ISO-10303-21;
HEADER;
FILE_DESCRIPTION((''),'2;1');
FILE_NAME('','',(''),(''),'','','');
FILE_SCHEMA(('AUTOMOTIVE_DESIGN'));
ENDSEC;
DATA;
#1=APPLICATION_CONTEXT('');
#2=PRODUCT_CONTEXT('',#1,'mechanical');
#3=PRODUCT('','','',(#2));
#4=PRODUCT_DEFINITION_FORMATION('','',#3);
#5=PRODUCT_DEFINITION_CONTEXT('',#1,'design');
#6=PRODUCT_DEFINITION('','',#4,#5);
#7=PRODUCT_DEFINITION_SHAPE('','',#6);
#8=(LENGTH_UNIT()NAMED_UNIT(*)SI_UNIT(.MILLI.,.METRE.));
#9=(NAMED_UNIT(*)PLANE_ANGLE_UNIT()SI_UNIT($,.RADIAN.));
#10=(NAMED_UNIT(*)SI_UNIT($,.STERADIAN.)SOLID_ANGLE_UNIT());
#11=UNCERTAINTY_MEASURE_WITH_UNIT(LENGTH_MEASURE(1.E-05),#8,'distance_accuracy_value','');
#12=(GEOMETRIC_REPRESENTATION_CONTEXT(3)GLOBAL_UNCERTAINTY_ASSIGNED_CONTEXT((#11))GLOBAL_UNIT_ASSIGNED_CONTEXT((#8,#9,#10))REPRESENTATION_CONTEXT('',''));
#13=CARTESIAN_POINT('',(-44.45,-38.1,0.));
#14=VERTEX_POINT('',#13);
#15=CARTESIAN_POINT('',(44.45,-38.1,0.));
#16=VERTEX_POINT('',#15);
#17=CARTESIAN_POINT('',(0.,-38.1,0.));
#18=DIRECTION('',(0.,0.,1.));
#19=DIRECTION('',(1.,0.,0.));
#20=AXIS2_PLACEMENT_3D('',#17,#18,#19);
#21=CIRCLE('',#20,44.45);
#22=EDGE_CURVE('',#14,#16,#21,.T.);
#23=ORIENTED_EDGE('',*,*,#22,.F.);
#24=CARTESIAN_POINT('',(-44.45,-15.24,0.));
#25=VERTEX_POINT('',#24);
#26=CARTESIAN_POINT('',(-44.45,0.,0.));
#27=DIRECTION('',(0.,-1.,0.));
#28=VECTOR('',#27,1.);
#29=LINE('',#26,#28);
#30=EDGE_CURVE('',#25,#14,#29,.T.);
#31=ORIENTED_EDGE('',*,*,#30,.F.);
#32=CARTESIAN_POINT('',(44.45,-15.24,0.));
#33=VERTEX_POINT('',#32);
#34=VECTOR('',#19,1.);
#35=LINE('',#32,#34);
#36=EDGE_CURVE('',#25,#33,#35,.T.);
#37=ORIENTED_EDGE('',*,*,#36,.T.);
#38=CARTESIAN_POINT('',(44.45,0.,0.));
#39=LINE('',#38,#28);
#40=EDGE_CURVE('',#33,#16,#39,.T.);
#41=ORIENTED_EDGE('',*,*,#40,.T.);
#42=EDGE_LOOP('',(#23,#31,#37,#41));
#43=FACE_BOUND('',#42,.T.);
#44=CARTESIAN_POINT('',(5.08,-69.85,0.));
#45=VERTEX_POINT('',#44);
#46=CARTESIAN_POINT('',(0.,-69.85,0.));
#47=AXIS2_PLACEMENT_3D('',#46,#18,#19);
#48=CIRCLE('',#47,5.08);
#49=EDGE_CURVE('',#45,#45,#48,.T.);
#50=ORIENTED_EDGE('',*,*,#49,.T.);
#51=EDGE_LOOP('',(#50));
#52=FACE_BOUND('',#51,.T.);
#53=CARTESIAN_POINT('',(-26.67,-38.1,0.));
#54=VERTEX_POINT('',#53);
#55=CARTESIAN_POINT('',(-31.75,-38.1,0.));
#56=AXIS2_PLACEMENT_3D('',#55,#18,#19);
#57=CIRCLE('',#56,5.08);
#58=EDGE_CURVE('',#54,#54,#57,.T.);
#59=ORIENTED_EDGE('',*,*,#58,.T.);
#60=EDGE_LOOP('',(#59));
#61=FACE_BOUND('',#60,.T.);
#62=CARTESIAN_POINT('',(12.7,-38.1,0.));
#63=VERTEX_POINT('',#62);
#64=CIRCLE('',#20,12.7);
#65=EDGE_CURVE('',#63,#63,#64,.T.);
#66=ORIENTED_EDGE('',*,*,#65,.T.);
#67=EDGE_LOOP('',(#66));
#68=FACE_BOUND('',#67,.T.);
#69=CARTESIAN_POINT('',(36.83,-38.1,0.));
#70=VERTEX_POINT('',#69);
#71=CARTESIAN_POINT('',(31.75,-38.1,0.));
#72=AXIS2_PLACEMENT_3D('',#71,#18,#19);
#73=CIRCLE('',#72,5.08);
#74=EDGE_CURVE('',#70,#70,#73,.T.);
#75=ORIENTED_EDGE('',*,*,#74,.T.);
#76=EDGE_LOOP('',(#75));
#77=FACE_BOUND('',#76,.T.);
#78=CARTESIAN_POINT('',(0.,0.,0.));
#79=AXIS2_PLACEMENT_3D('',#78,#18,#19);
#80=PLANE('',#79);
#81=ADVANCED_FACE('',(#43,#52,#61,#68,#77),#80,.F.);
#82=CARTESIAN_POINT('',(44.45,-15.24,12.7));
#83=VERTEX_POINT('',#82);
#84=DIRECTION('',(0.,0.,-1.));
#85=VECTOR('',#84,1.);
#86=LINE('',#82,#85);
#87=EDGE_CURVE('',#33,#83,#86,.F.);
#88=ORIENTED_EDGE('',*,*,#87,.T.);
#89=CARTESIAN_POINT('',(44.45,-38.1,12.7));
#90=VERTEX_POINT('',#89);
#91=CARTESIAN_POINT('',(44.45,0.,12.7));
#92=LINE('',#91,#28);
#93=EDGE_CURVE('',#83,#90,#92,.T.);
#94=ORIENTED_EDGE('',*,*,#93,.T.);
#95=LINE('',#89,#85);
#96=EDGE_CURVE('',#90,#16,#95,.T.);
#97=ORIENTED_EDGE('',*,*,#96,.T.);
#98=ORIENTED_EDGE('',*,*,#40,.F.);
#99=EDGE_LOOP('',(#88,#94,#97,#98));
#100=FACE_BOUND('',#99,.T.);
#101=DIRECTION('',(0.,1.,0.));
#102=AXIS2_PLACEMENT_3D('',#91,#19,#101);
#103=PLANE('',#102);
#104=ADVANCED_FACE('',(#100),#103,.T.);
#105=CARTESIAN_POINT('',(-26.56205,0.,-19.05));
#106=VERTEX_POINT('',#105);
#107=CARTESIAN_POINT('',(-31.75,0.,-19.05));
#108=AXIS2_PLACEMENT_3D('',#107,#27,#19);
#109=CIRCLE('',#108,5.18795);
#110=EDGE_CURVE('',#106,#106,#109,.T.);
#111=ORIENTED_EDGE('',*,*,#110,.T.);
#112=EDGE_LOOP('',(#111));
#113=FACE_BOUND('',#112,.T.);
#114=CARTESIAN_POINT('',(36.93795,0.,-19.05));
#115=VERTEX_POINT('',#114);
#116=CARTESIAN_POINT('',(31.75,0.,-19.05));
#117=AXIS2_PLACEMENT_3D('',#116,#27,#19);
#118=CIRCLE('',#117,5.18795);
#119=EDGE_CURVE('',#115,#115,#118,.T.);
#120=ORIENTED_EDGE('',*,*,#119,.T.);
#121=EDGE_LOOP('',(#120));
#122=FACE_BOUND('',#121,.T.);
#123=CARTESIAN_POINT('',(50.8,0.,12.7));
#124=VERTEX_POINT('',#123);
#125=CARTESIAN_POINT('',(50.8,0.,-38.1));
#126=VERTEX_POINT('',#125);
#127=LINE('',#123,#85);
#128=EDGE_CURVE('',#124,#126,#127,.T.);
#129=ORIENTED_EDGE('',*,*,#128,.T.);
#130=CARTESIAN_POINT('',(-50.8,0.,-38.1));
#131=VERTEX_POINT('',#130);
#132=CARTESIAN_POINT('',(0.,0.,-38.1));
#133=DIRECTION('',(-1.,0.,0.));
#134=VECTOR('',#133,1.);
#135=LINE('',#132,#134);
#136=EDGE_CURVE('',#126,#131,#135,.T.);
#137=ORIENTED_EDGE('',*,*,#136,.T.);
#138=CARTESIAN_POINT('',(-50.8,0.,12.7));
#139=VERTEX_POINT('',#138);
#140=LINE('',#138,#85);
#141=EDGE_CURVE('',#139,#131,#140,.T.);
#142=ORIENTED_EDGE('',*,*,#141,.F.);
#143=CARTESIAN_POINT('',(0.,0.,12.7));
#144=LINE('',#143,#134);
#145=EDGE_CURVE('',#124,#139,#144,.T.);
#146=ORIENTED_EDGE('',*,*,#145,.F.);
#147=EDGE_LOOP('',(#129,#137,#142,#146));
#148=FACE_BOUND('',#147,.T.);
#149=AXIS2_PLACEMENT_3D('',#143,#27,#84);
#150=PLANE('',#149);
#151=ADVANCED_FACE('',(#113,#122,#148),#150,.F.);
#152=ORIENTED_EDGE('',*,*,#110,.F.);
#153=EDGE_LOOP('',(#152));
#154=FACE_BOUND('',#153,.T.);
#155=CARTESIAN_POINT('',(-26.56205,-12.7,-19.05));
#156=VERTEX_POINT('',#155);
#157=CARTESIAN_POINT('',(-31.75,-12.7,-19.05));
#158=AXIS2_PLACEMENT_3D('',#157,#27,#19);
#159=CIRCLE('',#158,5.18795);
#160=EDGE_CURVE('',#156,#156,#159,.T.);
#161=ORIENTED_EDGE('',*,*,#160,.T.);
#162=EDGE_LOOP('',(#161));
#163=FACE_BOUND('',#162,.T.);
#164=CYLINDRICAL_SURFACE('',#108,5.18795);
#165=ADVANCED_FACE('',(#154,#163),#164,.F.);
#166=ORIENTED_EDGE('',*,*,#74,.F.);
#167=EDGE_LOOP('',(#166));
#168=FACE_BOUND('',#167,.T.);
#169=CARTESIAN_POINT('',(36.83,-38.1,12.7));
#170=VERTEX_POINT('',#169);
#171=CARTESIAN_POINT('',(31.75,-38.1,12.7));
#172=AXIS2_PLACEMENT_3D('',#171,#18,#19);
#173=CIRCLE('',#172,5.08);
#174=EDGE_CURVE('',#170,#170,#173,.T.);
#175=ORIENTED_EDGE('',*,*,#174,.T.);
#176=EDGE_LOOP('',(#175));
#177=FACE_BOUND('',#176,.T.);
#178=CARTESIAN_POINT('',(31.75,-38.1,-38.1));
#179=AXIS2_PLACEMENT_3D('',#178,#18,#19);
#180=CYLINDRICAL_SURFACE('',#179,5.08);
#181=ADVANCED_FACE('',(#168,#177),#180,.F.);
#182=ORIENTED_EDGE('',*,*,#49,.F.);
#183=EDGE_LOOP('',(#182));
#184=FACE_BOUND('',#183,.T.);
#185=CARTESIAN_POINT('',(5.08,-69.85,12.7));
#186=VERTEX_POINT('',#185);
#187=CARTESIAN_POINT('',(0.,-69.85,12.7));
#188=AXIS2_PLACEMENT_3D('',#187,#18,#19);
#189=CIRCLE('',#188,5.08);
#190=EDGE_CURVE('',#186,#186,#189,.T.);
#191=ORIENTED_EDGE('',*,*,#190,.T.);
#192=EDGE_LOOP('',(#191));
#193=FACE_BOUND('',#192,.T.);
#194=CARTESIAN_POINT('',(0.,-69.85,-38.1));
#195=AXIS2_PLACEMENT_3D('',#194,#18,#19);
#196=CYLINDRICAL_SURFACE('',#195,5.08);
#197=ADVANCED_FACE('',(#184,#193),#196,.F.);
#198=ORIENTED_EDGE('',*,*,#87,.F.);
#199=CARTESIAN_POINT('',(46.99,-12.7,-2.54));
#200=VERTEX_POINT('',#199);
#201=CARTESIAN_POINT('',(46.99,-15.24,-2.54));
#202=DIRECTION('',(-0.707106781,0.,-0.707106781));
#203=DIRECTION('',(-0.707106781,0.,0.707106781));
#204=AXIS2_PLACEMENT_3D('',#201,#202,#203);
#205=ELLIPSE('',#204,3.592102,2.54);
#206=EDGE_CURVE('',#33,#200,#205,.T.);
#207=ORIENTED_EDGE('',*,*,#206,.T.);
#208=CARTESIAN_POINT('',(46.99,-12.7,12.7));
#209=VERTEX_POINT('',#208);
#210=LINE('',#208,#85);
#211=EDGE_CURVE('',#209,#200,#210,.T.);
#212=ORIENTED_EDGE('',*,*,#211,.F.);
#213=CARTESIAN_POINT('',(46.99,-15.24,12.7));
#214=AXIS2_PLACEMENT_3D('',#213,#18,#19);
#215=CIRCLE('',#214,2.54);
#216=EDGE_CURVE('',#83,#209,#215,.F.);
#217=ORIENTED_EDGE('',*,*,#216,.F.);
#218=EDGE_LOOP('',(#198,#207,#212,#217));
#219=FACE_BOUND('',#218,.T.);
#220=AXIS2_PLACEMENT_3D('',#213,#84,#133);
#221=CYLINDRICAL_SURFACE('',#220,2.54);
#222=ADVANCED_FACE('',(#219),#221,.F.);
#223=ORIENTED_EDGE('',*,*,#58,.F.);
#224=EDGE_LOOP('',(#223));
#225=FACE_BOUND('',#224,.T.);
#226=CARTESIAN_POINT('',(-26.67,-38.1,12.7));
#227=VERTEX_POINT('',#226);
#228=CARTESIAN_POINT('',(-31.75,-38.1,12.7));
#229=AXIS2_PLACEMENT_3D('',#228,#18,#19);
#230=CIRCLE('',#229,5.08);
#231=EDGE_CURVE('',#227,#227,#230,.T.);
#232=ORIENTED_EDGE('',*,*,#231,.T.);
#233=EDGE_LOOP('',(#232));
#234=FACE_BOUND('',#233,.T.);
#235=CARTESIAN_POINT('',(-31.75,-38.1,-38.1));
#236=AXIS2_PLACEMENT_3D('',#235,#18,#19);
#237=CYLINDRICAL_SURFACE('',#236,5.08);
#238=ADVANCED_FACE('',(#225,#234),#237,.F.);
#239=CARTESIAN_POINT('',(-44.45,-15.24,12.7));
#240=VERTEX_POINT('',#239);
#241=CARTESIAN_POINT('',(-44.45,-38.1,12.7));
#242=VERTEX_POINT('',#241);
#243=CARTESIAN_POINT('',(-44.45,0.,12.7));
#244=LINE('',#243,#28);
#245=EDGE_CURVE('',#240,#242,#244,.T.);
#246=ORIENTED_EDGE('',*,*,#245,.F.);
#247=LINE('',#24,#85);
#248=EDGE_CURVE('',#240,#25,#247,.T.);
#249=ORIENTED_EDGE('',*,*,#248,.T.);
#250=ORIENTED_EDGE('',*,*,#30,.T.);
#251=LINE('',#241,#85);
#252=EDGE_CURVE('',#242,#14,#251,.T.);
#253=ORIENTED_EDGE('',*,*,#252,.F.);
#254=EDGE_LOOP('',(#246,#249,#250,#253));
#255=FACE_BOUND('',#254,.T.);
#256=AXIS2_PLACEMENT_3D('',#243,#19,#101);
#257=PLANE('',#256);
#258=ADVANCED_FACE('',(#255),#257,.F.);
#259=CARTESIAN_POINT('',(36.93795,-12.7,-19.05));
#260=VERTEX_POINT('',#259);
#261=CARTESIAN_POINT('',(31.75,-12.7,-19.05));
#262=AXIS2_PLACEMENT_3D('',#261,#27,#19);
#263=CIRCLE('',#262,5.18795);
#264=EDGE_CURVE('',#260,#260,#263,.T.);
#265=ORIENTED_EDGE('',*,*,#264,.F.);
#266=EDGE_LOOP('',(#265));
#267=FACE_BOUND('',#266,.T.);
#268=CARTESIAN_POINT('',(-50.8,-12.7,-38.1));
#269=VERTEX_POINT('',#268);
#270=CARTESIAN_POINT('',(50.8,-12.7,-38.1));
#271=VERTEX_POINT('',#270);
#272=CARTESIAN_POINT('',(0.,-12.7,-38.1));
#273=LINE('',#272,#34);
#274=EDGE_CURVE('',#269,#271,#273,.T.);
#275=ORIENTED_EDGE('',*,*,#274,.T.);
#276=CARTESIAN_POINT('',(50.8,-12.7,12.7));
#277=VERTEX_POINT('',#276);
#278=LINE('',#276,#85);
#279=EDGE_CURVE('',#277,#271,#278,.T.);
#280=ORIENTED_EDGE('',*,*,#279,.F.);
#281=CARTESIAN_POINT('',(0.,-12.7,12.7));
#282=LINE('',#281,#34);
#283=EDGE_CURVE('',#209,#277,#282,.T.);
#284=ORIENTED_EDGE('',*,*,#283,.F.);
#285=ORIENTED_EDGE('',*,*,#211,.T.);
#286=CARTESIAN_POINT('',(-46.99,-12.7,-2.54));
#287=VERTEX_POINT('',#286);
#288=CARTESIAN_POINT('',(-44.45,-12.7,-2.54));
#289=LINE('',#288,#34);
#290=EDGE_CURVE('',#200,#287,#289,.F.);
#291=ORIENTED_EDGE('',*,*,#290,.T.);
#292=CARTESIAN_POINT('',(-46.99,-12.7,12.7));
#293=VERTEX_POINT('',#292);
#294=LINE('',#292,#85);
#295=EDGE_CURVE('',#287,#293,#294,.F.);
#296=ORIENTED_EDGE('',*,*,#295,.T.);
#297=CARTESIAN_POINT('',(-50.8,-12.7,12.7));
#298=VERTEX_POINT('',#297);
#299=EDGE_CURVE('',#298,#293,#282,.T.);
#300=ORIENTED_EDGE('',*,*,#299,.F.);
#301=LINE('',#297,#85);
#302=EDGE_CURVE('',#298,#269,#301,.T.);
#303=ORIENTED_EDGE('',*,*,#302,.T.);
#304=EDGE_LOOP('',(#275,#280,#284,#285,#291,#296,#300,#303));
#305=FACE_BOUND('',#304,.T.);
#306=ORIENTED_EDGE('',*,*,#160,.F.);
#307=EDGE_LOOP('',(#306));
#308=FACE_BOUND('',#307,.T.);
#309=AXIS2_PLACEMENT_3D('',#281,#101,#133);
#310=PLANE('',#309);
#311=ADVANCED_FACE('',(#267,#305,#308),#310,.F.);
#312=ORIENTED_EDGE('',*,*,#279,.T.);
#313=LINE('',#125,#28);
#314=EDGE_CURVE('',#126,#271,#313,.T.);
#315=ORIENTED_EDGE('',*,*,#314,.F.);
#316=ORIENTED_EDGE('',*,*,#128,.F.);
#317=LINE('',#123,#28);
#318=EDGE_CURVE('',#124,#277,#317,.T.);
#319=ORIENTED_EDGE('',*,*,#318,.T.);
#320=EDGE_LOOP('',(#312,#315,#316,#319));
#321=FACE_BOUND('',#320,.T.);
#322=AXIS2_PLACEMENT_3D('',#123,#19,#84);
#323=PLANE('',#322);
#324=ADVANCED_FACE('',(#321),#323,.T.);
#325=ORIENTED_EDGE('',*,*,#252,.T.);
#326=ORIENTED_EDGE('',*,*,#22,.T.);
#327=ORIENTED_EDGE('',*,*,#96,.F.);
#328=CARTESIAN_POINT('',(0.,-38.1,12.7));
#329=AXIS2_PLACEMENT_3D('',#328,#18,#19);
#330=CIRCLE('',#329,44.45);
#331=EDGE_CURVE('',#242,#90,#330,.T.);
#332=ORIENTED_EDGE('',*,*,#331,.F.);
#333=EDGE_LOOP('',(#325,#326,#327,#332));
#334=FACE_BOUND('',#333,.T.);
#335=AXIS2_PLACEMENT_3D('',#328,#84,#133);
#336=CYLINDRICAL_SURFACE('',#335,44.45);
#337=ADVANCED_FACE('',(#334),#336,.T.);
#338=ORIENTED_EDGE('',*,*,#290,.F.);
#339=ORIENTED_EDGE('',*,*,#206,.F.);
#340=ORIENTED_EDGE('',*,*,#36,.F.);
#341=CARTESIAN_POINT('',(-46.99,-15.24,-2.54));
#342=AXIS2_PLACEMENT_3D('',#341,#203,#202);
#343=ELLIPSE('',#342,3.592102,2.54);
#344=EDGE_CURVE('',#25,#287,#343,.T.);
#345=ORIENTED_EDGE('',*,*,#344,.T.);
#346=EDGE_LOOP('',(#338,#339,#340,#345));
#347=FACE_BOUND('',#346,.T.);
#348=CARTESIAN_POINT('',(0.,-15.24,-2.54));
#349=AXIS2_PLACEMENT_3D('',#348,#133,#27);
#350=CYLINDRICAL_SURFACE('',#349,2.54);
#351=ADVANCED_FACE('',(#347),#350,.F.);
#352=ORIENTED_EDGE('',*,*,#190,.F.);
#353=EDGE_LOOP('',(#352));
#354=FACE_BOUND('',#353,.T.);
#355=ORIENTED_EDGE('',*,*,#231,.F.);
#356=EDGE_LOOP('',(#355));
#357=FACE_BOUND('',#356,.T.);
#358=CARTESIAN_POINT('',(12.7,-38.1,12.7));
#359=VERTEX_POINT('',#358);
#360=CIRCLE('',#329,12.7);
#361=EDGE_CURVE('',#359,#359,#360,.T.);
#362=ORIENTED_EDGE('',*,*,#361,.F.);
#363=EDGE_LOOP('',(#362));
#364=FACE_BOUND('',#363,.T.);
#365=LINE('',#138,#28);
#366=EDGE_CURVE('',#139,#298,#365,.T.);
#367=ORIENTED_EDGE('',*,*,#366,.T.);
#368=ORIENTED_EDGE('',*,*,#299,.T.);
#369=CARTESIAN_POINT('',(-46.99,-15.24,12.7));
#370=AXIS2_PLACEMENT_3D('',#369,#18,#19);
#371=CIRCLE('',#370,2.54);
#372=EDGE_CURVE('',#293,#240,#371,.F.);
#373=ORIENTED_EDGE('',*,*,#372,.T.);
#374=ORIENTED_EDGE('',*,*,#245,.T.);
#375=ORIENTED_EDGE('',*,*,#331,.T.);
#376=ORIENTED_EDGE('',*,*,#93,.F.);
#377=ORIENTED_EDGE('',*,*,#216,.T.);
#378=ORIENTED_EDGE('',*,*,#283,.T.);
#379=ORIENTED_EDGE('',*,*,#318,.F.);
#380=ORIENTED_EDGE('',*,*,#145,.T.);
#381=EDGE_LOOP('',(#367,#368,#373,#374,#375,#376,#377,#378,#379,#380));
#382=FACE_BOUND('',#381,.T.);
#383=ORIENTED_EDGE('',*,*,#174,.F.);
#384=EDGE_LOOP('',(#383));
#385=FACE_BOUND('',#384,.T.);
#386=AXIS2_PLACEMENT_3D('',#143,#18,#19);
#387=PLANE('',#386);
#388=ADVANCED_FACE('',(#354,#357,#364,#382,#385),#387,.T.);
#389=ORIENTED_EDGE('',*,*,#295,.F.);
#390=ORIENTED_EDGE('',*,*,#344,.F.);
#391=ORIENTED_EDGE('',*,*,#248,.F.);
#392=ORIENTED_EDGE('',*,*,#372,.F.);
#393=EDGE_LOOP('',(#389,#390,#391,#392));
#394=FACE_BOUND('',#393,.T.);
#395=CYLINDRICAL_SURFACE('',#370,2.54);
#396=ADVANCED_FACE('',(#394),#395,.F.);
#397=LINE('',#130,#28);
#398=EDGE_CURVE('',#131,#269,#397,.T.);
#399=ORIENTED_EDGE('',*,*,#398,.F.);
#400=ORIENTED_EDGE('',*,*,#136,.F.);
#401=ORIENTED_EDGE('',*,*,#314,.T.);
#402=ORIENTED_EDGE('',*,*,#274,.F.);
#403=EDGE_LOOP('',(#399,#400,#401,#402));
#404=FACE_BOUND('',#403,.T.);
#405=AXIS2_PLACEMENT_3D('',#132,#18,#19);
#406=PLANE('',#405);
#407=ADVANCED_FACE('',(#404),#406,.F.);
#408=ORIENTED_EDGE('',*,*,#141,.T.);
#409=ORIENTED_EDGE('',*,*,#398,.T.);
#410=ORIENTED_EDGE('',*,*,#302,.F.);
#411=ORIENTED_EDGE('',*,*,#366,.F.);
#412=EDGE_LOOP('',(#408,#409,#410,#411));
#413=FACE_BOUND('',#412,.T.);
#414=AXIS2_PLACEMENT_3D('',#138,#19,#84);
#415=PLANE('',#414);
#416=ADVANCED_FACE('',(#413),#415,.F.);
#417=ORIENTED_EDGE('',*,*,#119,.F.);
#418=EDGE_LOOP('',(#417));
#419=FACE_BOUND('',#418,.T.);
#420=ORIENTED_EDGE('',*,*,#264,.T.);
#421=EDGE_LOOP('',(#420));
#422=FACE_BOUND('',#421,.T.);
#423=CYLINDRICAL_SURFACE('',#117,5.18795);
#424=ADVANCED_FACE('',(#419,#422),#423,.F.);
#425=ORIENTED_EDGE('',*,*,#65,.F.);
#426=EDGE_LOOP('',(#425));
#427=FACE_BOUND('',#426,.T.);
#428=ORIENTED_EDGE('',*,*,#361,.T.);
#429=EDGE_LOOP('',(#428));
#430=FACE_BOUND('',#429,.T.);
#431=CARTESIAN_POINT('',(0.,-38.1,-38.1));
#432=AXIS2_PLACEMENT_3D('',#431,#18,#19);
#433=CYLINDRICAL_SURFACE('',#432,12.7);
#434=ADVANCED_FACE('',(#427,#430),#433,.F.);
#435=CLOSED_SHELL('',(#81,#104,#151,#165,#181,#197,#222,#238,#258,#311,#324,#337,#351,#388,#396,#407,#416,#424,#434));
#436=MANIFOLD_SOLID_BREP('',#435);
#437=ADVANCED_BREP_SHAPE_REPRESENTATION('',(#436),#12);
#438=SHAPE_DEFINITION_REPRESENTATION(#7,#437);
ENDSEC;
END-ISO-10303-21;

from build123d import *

# Parameters (mm, degrees)
BOSS_EXTRUDE1_DEPTH = 12.7
BOSS_EXTRUDE2_DEPTH = 38.1
SKETCH4_R           = 12.7
SKETCH4_R_2         = 5.08
CUT_EXTRUDE1_DEPTH  = 110.433918417
SKETCH3_R           = 5.18795
CUT_EXTRUDE2_DEPTH  = 95.399536545
FILLET1_R           = 2.54


with BuildPart() as part:
    # Sketch1 → Boss-Extrude1 (new body)
    with BuildSketch(Plane.XY):
        with BuildLine():
            Line((50.8, -12.7), (50.8, 0))
            Line((50.8, 0), (-50.8, 0))
            Line((-50.8, 0), (-50.8, -12.7))
            Line((-50.8, -12.7), (-44.45, -12.7))
            Line((-44.45, -12.7), (-44.45, -38.1))
            ThreePointArc((-44.45, -38.1), (0, -82.55), (44.45, -38.1))
            Line((44.45, -38.1), (44.45, -12.7))
            Line((44.45, -12.7), (50.8, -12.7))
        make_face()
    extrude(amount=BOSS_EXTRUDE1_DEPTH)

    # Sketch1<4> → Boss-Extrude2 (add)
    with BuildSketch(Plane.XY):
        Polygon((50.8, -12.7), (50.8, 0), (-50.8, 0), (-50.8, -12.7), (-44.45, -12.7), (44.45, -12.7), align=None)
    extrude(amount=-BOSS_EXTRUDE2_DEPTH)

    # Sketch4 → Cut-Extrude1 (cut, through all)
    with BuildSketch(Plane.XY.offset(12.7)):
        with Locations((0, -38.1)):
            Circle(SKETCH4_R)
        with Locations((-31.75, -38.1)):
            Circle(SKETCH4_R_2)
        with Locations((31.75, -38.1)):
            Circle(SKETCH4_R_2)
        with Locations((0, -69.85)):
            Circle(SKETCH4_R_2)
    extrude(amount=-CUT_EXTRUDE1_DEPTH, mode=Mode.SUBTRACT)

    # Sketch3 → Cut-Extrude2 (cut, through all)
    with BuildSketch(Plane.XZ.offset(12.7)):
        with Locations((-31.75, -19.05)):
            Circle(SKETCH3_R)
        with Locations((31.75, -19.05)):
            Circle(SKETCH3_R)
    extrude(amount=-CUT_EXTRUDE2_DEPTH, mode=Mode.SUBTRACT)

    # Fillet1
    fillet1_edges = [part.edges().sort_by_distance(p)[0] for p in [
        (0, -12.7, 0),
        (44.45, -12.7, 6.35),
        (-44.45, -12.7, 6.35),
    ]]
    fillet(fillet1_edges, radius=FILLET1_R)


solid = part.part
